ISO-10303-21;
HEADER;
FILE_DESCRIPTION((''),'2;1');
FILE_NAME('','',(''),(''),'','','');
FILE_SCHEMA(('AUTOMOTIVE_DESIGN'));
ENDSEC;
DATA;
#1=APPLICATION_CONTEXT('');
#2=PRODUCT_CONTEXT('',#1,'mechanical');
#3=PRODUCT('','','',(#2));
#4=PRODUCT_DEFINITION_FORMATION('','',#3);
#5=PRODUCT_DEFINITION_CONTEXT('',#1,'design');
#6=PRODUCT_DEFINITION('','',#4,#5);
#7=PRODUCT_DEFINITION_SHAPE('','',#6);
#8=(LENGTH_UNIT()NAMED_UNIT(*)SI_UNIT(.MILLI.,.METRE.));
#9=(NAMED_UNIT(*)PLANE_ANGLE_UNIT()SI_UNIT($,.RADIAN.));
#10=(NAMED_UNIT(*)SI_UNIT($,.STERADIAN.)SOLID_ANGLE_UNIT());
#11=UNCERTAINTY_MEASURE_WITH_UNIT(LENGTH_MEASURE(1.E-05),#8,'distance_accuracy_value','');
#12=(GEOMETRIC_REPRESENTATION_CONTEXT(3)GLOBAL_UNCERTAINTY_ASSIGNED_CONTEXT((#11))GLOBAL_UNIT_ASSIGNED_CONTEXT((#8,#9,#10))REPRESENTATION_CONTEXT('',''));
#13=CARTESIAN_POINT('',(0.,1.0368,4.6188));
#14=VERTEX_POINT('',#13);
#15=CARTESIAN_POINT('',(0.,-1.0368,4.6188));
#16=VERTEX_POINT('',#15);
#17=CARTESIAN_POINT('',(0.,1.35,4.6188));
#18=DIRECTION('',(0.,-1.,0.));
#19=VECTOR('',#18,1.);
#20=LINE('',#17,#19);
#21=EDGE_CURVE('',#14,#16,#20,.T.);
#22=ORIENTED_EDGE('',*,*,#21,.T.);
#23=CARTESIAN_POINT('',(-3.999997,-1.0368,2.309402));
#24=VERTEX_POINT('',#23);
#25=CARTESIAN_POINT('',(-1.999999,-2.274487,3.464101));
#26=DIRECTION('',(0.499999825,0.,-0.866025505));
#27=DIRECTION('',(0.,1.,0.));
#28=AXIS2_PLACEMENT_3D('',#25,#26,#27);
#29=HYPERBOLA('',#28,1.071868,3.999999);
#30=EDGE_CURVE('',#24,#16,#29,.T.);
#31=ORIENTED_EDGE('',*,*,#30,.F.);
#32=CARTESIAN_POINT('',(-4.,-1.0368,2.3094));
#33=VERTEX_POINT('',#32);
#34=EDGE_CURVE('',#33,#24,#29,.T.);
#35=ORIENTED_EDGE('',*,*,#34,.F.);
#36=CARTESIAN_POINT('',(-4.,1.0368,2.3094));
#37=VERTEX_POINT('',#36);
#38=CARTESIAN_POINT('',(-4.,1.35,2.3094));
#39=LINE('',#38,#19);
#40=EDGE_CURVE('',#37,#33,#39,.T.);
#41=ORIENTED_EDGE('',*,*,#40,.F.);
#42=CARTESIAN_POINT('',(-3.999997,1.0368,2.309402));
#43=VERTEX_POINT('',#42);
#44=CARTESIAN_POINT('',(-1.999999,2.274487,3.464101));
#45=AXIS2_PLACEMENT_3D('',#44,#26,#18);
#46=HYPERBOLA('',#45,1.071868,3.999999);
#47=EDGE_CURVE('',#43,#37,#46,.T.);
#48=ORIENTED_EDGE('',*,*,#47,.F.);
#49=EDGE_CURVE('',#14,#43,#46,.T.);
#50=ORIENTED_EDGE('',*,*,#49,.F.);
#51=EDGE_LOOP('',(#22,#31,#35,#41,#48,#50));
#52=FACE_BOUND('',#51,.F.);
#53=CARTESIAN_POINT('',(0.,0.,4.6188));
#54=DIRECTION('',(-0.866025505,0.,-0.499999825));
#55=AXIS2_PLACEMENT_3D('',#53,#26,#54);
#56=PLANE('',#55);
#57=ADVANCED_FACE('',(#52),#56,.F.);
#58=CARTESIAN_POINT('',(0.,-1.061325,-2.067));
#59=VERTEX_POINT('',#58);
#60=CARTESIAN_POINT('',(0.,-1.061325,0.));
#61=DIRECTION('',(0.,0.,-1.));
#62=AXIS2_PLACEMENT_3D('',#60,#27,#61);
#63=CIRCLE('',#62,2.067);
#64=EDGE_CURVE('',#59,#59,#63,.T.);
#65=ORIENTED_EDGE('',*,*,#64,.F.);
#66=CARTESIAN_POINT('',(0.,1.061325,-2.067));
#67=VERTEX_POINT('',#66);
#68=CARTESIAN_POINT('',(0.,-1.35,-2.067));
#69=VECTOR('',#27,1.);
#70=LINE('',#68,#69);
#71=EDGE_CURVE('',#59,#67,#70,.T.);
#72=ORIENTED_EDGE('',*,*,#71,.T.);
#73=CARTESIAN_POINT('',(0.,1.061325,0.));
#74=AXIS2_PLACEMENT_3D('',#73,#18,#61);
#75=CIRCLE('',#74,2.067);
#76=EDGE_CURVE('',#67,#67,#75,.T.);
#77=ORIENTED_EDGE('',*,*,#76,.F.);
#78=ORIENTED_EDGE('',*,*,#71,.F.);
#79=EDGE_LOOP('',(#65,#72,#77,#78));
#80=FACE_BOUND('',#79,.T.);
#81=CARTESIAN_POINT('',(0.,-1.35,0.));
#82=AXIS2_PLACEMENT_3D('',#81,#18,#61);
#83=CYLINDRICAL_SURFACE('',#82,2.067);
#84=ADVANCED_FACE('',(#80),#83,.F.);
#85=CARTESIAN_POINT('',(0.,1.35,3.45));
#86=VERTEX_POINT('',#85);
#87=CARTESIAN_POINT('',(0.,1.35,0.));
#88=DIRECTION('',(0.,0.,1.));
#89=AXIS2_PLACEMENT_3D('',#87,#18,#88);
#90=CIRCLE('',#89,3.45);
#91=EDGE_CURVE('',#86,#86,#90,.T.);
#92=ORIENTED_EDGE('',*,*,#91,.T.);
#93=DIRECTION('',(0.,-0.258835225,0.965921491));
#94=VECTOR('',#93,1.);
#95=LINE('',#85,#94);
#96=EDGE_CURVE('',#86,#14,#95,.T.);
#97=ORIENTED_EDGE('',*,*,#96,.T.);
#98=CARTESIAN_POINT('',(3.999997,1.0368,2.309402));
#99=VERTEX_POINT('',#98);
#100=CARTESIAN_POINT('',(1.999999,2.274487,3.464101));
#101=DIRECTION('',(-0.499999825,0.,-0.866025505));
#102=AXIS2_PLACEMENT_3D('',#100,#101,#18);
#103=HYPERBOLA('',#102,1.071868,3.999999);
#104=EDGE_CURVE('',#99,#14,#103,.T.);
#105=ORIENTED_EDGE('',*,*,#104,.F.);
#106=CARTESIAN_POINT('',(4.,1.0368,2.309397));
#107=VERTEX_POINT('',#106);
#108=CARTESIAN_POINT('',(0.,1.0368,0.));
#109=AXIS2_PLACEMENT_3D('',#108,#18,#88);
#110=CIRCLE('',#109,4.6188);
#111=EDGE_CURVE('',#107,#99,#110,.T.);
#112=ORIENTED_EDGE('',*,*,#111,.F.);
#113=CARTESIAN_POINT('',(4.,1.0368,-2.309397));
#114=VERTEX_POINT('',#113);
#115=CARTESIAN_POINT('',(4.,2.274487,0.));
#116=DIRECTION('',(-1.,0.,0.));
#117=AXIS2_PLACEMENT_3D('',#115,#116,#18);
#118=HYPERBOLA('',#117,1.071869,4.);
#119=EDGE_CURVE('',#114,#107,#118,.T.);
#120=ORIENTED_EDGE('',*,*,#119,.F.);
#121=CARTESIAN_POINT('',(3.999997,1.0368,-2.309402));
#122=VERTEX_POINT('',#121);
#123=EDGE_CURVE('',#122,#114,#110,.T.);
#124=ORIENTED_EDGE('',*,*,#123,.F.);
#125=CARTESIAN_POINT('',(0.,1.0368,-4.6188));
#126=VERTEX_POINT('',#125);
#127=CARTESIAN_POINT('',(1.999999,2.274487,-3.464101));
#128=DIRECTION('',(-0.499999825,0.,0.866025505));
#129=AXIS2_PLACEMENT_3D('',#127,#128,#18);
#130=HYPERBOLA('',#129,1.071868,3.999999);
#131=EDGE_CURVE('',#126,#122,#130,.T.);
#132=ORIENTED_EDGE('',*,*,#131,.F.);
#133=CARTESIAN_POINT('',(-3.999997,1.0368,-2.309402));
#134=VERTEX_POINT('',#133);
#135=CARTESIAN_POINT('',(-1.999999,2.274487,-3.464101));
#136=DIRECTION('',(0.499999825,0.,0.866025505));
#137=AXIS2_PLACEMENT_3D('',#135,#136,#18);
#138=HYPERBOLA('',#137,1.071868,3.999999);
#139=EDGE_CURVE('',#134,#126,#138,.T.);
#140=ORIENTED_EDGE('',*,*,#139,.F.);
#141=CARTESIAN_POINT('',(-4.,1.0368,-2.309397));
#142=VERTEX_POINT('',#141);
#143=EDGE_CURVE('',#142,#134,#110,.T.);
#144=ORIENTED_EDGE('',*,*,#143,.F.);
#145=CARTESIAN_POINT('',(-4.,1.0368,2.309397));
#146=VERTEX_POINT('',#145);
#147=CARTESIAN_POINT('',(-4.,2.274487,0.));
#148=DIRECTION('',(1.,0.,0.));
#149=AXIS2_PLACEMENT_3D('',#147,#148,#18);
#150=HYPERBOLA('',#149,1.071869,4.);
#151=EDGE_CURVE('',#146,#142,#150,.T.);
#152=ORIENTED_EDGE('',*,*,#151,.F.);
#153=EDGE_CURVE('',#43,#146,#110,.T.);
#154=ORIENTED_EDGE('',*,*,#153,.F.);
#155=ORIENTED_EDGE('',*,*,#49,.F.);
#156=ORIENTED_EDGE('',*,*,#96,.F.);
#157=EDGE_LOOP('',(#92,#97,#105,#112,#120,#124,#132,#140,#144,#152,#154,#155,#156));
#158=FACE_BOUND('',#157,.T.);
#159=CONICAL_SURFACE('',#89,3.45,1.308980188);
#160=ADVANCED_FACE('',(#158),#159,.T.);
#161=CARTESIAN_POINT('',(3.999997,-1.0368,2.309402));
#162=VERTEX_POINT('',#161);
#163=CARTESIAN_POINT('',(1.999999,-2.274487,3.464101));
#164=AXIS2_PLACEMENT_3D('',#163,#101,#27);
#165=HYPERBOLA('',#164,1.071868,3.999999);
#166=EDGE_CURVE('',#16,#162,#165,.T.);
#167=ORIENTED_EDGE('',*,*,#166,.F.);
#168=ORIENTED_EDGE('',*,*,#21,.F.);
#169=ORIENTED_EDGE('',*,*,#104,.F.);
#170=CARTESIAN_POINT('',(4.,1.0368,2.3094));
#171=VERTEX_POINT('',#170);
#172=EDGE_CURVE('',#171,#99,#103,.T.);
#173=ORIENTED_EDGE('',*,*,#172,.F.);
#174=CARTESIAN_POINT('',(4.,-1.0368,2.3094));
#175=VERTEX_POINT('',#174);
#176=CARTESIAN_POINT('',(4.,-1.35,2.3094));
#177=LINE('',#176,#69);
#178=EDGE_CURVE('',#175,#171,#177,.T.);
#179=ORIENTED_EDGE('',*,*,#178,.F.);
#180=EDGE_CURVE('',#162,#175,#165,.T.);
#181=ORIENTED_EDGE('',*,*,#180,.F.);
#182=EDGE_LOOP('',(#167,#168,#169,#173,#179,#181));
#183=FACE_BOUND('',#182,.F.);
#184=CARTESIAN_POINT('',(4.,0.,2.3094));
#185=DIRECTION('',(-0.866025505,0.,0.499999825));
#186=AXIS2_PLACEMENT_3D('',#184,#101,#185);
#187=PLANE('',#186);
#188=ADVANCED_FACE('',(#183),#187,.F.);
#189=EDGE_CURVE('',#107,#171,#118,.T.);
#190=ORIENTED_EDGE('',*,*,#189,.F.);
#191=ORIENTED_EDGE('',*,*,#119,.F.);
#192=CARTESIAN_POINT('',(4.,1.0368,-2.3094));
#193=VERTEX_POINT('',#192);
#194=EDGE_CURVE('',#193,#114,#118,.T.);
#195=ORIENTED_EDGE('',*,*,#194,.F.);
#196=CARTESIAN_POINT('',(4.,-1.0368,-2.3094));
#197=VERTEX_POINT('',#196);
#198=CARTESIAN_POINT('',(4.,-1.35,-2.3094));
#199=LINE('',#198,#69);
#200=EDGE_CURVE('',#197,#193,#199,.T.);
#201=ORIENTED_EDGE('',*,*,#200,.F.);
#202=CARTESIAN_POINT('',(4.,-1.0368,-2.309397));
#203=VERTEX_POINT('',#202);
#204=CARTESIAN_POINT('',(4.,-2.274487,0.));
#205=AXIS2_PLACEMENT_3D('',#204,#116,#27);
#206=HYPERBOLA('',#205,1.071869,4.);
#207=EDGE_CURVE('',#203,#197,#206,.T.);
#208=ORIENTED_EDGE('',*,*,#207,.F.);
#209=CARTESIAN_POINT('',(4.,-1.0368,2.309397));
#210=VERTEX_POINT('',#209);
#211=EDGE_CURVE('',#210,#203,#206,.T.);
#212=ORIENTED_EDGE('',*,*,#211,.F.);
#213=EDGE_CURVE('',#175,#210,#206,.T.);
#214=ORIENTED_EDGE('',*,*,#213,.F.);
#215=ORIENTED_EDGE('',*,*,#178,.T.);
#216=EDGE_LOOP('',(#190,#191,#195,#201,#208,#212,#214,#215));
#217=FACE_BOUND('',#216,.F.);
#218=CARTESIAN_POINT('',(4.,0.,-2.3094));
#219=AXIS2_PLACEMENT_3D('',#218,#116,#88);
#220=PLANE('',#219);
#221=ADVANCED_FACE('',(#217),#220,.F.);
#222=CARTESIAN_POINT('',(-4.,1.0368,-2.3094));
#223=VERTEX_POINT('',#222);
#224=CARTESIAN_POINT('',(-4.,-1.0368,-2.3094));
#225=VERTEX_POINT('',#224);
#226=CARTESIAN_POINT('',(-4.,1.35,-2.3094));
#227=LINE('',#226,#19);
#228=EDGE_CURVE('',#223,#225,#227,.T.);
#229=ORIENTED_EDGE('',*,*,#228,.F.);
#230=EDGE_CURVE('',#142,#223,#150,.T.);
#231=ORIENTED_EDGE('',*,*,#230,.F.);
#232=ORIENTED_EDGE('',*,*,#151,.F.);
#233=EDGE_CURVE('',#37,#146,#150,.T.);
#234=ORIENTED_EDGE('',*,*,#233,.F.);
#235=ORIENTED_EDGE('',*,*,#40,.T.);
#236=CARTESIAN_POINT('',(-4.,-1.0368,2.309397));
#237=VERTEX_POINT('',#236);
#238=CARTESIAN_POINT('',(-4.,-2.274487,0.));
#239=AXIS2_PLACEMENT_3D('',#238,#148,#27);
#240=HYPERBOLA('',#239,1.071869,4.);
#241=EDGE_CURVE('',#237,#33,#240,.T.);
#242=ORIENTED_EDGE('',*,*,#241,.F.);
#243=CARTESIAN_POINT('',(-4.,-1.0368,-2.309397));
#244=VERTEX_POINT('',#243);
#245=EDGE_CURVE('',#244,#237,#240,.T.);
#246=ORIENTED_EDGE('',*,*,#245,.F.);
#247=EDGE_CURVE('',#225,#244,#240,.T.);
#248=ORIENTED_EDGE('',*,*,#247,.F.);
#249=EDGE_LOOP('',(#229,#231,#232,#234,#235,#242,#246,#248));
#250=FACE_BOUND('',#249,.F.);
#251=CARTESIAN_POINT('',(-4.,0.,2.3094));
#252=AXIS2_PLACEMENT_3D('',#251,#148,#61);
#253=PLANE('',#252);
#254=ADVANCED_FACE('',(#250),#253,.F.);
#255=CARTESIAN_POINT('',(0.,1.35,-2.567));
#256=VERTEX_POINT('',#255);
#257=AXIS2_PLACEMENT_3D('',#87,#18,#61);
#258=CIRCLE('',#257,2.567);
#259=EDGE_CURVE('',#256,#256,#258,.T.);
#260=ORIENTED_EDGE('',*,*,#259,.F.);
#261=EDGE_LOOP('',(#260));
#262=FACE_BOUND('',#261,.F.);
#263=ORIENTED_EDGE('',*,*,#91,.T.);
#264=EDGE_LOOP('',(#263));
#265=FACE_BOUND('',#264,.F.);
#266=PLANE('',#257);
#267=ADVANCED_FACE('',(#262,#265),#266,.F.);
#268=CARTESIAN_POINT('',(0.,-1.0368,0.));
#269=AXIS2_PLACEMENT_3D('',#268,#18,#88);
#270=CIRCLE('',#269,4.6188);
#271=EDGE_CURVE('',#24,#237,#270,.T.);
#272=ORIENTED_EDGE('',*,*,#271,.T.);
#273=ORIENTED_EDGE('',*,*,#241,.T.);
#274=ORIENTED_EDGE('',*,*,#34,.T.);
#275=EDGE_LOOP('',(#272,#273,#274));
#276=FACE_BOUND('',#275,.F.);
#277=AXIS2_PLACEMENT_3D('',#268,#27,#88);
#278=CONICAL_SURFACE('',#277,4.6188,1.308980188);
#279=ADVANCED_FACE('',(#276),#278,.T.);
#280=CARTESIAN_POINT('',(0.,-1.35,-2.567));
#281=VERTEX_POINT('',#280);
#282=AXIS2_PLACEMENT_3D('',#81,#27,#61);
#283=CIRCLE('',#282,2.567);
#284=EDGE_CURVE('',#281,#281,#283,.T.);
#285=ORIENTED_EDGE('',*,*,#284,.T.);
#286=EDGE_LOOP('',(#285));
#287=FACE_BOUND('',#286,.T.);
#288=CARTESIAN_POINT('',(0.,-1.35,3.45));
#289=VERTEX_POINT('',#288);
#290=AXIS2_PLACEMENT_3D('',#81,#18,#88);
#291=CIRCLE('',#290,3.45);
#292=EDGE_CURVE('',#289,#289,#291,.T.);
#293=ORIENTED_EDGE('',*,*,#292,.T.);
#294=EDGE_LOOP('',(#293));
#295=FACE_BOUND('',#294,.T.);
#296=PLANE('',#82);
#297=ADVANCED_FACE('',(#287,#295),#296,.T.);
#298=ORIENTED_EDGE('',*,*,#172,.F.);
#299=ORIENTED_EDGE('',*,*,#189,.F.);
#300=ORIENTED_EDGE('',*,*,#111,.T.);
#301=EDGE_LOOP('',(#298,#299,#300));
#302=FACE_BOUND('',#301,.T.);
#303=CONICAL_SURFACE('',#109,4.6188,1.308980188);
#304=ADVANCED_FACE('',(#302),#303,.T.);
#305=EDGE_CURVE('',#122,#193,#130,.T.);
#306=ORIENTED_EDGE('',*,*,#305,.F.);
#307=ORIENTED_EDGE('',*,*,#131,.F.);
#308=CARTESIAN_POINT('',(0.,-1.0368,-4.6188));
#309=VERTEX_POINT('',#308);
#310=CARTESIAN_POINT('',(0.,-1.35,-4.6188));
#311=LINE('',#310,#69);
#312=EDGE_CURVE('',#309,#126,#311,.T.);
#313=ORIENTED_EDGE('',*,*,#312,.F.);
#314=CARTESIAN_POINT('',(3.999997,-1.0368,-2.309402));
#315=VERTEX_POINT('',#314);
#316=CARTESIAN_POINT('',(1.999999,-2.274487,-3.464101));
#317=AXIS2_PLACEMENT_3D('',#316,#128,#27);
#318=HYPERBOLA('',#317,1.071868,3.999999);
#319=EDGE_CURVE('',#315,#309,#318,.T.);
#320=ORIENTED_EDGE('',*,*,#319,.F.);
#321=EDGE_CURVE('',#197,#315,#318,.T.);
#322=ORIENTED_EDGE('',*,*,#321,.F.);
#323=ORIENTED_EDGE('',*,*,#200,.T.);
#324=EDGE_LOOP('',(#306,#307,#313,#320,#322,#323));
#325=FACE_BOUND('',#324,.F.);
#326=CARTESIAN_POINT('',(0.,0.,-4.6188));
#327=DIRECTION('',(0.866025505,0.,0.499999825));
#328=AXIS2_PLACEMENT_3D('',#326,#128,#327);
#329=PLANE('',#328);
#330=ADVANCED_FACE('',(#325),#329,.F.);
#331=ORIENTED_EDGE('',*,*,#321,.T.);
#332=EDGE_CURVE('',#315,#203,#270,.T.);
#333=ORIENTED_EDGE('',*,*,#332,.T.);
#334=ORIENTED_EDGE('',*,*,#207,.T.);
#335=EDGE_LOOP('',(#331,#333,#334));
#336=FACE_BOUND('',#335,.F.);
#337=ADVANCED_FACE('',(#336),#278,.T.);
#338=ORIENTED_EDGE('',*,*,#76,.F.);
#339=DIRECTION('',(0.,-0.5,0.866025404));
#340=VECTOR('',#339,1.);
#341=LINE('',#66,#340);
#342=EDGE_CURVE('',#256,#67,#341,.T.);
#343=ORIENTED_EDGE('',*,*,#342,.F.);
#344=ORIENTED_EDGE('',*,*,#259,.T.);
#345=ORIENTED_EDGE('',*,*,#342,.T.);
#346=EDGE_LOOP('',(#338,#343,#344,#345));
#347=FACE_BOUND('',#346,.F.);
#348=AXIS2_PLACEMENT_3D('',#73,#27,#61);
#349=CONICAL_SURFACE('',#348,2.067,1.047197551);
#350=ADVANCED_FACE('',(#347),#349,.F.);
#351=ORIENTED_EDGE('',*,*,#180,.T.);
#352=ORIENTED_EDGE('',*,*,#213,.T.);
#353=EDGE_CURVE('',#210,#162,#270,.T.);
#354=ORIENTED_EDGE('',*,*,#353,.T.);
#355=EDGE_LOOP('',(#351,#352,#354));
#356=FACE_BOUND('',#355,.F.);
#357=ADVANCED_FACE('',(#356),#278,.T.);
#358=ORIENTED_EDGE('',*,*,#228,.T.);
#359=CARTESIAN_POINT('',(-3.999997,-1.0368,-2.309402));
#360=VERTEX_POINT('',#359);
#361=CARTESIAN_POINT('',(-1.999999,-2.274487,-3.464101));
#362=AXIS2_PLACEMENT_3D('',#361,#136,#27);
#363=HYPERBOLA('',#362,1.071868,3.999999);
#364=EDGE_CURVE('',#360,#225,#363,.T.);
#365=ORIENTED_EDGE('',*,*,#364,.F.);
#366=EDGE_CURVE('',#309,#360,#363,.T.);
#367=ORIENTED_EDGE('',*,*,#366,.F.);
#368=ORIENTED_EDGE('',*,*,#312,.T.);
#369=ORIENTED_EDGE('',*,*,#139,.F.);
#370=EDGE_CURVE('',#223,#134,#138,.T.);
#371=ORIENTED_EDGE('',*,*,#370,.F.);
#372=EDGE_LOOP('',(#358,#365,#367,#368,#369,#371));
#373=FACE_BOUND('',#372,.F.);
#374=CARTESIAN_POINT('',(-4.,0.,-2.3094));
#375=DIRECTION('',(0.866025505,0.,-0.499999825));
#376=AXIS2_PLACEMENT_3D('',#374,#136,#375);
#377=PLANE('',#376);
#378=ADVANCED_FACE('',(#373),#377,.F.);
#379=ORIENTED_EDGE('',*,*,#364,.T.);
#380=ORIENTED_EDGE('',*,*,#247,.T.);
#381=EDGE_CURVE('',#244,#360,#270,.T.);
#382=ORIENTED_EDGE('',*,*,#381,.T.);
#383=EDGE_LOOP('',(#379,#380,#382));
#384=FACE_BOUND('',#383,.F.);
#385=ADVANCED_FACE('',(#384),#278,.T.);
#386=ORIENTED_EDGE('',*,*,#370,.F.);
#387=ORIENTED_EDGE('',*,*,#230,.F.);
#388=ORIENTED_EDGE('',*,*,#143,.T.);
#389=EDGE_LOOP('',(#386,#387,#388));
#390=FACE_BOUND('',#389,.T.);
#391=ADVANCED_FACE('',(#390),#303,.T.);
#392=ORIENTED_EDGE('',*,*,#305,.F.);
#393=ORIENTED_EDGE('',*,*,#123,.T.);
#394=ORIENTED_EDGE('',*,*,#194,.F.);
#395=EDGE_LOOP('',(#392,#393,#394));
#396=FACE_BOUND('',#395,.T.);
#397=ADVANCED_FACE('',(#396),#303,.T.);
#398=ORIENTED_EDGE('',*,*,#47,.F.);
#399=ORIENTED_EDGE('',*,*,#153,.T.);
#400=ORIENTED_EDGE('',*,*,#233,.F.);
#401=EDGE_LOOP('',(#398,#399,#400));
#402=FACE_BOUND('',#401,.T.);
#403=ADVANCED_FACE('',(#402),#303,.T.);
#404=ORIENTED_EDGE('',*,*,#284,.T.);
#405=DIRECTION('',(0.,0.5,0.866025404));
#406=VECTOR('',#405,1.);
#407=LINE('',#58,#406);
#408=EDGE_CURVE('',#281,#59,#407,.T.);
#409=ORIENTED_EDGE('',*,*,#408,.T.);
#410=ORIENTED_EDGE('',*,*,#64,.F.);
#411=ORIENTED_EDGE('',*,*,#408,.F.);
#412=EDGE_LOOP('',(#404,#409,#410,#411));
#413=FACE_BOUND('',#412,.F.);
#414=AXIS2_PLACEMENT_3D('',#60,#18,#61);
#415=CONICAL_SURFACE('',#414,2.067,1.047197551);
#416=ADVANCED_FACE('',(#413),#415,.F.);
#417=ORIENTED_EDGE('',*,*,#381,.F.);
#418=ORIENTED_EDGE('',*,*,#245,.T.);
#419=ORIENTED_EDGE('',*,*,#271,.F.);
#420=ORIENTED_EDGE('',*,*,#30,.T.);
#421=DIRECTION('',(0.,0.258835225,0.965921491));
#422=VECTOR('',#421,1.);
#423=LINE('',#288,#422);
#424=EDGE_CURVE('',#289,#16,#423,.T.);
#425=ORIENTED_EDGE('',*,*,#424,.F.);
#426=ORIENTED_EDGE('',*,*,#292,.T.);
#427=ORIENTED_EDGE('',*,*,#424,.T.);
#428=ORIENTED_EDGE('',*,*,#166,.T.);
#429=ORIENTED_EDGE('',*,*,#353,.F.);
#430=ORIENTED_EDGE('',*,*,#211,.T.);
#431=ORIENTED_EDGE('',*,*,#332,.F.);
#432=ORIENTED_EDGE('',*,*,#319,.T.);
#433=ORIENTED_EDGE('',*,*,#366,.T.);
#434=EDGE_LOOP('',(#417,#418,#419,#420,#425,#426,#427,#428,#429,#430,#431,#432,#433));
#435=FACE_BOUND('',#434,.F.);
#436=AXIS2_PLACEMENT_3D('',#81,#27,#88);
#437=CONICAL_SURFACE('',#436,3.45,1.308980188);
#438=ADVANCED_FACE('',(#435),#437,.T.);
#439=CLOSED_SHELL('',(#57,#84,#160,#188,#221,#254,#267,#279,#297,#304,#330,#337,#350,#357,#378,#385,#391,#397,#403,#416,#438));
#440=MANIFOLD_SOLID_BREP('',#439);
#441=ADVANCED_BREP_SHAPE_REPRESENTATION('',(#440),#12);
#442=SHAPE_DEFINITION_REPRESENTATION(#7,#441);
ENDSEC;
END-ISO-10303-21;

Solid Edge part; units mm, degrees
sketch "Sketch1" plane through (0, 0, 0) normal (0, -1, 0) x (1, 0, 0)
  line L0 (4, 2.3094) -> (0, 4.6188)
  line L1 (0, 4.6188) -> (-4, 2.3094)
  line L2 (-4, 2.3094) -> (-4, -2.3094)
  line L3 (-4, -2.3094) -> (0, -4.6188)
  line L4 (0, -4.6188) -> (4, -2.3094)
  line L5 (4, -2.3094) -> (4, 2.3094)
extrude "Protrusion1" add sketch "Sketch1" along normal mid plane 2.7
sketch "Sketch2" plane through (0, 0, 0) normal (1, 0, 0) x (0, 1, 0)
  line L0 (-1.35, 3.45) -> (-1.0368, 4.6188)
revolve "RevolvedCutout1" cut sketch "Sketch2" angle 360 about axis through (0, 0, 0) along (0, -1, 0) material side at (0, -1.2417, 4.0473)
mirror "Mirror1" about plane through (0, 0, 0) normal (0, -1, 0) of "RevolvedCutout1"
hole "孔_7" at (0, -1.35, 0) direction (0, 1, 0) diameter 4.134 end up to next start chamfer 0.5 start chamfer angle 60 end chamfer 0.5 end chamfer angle 60
